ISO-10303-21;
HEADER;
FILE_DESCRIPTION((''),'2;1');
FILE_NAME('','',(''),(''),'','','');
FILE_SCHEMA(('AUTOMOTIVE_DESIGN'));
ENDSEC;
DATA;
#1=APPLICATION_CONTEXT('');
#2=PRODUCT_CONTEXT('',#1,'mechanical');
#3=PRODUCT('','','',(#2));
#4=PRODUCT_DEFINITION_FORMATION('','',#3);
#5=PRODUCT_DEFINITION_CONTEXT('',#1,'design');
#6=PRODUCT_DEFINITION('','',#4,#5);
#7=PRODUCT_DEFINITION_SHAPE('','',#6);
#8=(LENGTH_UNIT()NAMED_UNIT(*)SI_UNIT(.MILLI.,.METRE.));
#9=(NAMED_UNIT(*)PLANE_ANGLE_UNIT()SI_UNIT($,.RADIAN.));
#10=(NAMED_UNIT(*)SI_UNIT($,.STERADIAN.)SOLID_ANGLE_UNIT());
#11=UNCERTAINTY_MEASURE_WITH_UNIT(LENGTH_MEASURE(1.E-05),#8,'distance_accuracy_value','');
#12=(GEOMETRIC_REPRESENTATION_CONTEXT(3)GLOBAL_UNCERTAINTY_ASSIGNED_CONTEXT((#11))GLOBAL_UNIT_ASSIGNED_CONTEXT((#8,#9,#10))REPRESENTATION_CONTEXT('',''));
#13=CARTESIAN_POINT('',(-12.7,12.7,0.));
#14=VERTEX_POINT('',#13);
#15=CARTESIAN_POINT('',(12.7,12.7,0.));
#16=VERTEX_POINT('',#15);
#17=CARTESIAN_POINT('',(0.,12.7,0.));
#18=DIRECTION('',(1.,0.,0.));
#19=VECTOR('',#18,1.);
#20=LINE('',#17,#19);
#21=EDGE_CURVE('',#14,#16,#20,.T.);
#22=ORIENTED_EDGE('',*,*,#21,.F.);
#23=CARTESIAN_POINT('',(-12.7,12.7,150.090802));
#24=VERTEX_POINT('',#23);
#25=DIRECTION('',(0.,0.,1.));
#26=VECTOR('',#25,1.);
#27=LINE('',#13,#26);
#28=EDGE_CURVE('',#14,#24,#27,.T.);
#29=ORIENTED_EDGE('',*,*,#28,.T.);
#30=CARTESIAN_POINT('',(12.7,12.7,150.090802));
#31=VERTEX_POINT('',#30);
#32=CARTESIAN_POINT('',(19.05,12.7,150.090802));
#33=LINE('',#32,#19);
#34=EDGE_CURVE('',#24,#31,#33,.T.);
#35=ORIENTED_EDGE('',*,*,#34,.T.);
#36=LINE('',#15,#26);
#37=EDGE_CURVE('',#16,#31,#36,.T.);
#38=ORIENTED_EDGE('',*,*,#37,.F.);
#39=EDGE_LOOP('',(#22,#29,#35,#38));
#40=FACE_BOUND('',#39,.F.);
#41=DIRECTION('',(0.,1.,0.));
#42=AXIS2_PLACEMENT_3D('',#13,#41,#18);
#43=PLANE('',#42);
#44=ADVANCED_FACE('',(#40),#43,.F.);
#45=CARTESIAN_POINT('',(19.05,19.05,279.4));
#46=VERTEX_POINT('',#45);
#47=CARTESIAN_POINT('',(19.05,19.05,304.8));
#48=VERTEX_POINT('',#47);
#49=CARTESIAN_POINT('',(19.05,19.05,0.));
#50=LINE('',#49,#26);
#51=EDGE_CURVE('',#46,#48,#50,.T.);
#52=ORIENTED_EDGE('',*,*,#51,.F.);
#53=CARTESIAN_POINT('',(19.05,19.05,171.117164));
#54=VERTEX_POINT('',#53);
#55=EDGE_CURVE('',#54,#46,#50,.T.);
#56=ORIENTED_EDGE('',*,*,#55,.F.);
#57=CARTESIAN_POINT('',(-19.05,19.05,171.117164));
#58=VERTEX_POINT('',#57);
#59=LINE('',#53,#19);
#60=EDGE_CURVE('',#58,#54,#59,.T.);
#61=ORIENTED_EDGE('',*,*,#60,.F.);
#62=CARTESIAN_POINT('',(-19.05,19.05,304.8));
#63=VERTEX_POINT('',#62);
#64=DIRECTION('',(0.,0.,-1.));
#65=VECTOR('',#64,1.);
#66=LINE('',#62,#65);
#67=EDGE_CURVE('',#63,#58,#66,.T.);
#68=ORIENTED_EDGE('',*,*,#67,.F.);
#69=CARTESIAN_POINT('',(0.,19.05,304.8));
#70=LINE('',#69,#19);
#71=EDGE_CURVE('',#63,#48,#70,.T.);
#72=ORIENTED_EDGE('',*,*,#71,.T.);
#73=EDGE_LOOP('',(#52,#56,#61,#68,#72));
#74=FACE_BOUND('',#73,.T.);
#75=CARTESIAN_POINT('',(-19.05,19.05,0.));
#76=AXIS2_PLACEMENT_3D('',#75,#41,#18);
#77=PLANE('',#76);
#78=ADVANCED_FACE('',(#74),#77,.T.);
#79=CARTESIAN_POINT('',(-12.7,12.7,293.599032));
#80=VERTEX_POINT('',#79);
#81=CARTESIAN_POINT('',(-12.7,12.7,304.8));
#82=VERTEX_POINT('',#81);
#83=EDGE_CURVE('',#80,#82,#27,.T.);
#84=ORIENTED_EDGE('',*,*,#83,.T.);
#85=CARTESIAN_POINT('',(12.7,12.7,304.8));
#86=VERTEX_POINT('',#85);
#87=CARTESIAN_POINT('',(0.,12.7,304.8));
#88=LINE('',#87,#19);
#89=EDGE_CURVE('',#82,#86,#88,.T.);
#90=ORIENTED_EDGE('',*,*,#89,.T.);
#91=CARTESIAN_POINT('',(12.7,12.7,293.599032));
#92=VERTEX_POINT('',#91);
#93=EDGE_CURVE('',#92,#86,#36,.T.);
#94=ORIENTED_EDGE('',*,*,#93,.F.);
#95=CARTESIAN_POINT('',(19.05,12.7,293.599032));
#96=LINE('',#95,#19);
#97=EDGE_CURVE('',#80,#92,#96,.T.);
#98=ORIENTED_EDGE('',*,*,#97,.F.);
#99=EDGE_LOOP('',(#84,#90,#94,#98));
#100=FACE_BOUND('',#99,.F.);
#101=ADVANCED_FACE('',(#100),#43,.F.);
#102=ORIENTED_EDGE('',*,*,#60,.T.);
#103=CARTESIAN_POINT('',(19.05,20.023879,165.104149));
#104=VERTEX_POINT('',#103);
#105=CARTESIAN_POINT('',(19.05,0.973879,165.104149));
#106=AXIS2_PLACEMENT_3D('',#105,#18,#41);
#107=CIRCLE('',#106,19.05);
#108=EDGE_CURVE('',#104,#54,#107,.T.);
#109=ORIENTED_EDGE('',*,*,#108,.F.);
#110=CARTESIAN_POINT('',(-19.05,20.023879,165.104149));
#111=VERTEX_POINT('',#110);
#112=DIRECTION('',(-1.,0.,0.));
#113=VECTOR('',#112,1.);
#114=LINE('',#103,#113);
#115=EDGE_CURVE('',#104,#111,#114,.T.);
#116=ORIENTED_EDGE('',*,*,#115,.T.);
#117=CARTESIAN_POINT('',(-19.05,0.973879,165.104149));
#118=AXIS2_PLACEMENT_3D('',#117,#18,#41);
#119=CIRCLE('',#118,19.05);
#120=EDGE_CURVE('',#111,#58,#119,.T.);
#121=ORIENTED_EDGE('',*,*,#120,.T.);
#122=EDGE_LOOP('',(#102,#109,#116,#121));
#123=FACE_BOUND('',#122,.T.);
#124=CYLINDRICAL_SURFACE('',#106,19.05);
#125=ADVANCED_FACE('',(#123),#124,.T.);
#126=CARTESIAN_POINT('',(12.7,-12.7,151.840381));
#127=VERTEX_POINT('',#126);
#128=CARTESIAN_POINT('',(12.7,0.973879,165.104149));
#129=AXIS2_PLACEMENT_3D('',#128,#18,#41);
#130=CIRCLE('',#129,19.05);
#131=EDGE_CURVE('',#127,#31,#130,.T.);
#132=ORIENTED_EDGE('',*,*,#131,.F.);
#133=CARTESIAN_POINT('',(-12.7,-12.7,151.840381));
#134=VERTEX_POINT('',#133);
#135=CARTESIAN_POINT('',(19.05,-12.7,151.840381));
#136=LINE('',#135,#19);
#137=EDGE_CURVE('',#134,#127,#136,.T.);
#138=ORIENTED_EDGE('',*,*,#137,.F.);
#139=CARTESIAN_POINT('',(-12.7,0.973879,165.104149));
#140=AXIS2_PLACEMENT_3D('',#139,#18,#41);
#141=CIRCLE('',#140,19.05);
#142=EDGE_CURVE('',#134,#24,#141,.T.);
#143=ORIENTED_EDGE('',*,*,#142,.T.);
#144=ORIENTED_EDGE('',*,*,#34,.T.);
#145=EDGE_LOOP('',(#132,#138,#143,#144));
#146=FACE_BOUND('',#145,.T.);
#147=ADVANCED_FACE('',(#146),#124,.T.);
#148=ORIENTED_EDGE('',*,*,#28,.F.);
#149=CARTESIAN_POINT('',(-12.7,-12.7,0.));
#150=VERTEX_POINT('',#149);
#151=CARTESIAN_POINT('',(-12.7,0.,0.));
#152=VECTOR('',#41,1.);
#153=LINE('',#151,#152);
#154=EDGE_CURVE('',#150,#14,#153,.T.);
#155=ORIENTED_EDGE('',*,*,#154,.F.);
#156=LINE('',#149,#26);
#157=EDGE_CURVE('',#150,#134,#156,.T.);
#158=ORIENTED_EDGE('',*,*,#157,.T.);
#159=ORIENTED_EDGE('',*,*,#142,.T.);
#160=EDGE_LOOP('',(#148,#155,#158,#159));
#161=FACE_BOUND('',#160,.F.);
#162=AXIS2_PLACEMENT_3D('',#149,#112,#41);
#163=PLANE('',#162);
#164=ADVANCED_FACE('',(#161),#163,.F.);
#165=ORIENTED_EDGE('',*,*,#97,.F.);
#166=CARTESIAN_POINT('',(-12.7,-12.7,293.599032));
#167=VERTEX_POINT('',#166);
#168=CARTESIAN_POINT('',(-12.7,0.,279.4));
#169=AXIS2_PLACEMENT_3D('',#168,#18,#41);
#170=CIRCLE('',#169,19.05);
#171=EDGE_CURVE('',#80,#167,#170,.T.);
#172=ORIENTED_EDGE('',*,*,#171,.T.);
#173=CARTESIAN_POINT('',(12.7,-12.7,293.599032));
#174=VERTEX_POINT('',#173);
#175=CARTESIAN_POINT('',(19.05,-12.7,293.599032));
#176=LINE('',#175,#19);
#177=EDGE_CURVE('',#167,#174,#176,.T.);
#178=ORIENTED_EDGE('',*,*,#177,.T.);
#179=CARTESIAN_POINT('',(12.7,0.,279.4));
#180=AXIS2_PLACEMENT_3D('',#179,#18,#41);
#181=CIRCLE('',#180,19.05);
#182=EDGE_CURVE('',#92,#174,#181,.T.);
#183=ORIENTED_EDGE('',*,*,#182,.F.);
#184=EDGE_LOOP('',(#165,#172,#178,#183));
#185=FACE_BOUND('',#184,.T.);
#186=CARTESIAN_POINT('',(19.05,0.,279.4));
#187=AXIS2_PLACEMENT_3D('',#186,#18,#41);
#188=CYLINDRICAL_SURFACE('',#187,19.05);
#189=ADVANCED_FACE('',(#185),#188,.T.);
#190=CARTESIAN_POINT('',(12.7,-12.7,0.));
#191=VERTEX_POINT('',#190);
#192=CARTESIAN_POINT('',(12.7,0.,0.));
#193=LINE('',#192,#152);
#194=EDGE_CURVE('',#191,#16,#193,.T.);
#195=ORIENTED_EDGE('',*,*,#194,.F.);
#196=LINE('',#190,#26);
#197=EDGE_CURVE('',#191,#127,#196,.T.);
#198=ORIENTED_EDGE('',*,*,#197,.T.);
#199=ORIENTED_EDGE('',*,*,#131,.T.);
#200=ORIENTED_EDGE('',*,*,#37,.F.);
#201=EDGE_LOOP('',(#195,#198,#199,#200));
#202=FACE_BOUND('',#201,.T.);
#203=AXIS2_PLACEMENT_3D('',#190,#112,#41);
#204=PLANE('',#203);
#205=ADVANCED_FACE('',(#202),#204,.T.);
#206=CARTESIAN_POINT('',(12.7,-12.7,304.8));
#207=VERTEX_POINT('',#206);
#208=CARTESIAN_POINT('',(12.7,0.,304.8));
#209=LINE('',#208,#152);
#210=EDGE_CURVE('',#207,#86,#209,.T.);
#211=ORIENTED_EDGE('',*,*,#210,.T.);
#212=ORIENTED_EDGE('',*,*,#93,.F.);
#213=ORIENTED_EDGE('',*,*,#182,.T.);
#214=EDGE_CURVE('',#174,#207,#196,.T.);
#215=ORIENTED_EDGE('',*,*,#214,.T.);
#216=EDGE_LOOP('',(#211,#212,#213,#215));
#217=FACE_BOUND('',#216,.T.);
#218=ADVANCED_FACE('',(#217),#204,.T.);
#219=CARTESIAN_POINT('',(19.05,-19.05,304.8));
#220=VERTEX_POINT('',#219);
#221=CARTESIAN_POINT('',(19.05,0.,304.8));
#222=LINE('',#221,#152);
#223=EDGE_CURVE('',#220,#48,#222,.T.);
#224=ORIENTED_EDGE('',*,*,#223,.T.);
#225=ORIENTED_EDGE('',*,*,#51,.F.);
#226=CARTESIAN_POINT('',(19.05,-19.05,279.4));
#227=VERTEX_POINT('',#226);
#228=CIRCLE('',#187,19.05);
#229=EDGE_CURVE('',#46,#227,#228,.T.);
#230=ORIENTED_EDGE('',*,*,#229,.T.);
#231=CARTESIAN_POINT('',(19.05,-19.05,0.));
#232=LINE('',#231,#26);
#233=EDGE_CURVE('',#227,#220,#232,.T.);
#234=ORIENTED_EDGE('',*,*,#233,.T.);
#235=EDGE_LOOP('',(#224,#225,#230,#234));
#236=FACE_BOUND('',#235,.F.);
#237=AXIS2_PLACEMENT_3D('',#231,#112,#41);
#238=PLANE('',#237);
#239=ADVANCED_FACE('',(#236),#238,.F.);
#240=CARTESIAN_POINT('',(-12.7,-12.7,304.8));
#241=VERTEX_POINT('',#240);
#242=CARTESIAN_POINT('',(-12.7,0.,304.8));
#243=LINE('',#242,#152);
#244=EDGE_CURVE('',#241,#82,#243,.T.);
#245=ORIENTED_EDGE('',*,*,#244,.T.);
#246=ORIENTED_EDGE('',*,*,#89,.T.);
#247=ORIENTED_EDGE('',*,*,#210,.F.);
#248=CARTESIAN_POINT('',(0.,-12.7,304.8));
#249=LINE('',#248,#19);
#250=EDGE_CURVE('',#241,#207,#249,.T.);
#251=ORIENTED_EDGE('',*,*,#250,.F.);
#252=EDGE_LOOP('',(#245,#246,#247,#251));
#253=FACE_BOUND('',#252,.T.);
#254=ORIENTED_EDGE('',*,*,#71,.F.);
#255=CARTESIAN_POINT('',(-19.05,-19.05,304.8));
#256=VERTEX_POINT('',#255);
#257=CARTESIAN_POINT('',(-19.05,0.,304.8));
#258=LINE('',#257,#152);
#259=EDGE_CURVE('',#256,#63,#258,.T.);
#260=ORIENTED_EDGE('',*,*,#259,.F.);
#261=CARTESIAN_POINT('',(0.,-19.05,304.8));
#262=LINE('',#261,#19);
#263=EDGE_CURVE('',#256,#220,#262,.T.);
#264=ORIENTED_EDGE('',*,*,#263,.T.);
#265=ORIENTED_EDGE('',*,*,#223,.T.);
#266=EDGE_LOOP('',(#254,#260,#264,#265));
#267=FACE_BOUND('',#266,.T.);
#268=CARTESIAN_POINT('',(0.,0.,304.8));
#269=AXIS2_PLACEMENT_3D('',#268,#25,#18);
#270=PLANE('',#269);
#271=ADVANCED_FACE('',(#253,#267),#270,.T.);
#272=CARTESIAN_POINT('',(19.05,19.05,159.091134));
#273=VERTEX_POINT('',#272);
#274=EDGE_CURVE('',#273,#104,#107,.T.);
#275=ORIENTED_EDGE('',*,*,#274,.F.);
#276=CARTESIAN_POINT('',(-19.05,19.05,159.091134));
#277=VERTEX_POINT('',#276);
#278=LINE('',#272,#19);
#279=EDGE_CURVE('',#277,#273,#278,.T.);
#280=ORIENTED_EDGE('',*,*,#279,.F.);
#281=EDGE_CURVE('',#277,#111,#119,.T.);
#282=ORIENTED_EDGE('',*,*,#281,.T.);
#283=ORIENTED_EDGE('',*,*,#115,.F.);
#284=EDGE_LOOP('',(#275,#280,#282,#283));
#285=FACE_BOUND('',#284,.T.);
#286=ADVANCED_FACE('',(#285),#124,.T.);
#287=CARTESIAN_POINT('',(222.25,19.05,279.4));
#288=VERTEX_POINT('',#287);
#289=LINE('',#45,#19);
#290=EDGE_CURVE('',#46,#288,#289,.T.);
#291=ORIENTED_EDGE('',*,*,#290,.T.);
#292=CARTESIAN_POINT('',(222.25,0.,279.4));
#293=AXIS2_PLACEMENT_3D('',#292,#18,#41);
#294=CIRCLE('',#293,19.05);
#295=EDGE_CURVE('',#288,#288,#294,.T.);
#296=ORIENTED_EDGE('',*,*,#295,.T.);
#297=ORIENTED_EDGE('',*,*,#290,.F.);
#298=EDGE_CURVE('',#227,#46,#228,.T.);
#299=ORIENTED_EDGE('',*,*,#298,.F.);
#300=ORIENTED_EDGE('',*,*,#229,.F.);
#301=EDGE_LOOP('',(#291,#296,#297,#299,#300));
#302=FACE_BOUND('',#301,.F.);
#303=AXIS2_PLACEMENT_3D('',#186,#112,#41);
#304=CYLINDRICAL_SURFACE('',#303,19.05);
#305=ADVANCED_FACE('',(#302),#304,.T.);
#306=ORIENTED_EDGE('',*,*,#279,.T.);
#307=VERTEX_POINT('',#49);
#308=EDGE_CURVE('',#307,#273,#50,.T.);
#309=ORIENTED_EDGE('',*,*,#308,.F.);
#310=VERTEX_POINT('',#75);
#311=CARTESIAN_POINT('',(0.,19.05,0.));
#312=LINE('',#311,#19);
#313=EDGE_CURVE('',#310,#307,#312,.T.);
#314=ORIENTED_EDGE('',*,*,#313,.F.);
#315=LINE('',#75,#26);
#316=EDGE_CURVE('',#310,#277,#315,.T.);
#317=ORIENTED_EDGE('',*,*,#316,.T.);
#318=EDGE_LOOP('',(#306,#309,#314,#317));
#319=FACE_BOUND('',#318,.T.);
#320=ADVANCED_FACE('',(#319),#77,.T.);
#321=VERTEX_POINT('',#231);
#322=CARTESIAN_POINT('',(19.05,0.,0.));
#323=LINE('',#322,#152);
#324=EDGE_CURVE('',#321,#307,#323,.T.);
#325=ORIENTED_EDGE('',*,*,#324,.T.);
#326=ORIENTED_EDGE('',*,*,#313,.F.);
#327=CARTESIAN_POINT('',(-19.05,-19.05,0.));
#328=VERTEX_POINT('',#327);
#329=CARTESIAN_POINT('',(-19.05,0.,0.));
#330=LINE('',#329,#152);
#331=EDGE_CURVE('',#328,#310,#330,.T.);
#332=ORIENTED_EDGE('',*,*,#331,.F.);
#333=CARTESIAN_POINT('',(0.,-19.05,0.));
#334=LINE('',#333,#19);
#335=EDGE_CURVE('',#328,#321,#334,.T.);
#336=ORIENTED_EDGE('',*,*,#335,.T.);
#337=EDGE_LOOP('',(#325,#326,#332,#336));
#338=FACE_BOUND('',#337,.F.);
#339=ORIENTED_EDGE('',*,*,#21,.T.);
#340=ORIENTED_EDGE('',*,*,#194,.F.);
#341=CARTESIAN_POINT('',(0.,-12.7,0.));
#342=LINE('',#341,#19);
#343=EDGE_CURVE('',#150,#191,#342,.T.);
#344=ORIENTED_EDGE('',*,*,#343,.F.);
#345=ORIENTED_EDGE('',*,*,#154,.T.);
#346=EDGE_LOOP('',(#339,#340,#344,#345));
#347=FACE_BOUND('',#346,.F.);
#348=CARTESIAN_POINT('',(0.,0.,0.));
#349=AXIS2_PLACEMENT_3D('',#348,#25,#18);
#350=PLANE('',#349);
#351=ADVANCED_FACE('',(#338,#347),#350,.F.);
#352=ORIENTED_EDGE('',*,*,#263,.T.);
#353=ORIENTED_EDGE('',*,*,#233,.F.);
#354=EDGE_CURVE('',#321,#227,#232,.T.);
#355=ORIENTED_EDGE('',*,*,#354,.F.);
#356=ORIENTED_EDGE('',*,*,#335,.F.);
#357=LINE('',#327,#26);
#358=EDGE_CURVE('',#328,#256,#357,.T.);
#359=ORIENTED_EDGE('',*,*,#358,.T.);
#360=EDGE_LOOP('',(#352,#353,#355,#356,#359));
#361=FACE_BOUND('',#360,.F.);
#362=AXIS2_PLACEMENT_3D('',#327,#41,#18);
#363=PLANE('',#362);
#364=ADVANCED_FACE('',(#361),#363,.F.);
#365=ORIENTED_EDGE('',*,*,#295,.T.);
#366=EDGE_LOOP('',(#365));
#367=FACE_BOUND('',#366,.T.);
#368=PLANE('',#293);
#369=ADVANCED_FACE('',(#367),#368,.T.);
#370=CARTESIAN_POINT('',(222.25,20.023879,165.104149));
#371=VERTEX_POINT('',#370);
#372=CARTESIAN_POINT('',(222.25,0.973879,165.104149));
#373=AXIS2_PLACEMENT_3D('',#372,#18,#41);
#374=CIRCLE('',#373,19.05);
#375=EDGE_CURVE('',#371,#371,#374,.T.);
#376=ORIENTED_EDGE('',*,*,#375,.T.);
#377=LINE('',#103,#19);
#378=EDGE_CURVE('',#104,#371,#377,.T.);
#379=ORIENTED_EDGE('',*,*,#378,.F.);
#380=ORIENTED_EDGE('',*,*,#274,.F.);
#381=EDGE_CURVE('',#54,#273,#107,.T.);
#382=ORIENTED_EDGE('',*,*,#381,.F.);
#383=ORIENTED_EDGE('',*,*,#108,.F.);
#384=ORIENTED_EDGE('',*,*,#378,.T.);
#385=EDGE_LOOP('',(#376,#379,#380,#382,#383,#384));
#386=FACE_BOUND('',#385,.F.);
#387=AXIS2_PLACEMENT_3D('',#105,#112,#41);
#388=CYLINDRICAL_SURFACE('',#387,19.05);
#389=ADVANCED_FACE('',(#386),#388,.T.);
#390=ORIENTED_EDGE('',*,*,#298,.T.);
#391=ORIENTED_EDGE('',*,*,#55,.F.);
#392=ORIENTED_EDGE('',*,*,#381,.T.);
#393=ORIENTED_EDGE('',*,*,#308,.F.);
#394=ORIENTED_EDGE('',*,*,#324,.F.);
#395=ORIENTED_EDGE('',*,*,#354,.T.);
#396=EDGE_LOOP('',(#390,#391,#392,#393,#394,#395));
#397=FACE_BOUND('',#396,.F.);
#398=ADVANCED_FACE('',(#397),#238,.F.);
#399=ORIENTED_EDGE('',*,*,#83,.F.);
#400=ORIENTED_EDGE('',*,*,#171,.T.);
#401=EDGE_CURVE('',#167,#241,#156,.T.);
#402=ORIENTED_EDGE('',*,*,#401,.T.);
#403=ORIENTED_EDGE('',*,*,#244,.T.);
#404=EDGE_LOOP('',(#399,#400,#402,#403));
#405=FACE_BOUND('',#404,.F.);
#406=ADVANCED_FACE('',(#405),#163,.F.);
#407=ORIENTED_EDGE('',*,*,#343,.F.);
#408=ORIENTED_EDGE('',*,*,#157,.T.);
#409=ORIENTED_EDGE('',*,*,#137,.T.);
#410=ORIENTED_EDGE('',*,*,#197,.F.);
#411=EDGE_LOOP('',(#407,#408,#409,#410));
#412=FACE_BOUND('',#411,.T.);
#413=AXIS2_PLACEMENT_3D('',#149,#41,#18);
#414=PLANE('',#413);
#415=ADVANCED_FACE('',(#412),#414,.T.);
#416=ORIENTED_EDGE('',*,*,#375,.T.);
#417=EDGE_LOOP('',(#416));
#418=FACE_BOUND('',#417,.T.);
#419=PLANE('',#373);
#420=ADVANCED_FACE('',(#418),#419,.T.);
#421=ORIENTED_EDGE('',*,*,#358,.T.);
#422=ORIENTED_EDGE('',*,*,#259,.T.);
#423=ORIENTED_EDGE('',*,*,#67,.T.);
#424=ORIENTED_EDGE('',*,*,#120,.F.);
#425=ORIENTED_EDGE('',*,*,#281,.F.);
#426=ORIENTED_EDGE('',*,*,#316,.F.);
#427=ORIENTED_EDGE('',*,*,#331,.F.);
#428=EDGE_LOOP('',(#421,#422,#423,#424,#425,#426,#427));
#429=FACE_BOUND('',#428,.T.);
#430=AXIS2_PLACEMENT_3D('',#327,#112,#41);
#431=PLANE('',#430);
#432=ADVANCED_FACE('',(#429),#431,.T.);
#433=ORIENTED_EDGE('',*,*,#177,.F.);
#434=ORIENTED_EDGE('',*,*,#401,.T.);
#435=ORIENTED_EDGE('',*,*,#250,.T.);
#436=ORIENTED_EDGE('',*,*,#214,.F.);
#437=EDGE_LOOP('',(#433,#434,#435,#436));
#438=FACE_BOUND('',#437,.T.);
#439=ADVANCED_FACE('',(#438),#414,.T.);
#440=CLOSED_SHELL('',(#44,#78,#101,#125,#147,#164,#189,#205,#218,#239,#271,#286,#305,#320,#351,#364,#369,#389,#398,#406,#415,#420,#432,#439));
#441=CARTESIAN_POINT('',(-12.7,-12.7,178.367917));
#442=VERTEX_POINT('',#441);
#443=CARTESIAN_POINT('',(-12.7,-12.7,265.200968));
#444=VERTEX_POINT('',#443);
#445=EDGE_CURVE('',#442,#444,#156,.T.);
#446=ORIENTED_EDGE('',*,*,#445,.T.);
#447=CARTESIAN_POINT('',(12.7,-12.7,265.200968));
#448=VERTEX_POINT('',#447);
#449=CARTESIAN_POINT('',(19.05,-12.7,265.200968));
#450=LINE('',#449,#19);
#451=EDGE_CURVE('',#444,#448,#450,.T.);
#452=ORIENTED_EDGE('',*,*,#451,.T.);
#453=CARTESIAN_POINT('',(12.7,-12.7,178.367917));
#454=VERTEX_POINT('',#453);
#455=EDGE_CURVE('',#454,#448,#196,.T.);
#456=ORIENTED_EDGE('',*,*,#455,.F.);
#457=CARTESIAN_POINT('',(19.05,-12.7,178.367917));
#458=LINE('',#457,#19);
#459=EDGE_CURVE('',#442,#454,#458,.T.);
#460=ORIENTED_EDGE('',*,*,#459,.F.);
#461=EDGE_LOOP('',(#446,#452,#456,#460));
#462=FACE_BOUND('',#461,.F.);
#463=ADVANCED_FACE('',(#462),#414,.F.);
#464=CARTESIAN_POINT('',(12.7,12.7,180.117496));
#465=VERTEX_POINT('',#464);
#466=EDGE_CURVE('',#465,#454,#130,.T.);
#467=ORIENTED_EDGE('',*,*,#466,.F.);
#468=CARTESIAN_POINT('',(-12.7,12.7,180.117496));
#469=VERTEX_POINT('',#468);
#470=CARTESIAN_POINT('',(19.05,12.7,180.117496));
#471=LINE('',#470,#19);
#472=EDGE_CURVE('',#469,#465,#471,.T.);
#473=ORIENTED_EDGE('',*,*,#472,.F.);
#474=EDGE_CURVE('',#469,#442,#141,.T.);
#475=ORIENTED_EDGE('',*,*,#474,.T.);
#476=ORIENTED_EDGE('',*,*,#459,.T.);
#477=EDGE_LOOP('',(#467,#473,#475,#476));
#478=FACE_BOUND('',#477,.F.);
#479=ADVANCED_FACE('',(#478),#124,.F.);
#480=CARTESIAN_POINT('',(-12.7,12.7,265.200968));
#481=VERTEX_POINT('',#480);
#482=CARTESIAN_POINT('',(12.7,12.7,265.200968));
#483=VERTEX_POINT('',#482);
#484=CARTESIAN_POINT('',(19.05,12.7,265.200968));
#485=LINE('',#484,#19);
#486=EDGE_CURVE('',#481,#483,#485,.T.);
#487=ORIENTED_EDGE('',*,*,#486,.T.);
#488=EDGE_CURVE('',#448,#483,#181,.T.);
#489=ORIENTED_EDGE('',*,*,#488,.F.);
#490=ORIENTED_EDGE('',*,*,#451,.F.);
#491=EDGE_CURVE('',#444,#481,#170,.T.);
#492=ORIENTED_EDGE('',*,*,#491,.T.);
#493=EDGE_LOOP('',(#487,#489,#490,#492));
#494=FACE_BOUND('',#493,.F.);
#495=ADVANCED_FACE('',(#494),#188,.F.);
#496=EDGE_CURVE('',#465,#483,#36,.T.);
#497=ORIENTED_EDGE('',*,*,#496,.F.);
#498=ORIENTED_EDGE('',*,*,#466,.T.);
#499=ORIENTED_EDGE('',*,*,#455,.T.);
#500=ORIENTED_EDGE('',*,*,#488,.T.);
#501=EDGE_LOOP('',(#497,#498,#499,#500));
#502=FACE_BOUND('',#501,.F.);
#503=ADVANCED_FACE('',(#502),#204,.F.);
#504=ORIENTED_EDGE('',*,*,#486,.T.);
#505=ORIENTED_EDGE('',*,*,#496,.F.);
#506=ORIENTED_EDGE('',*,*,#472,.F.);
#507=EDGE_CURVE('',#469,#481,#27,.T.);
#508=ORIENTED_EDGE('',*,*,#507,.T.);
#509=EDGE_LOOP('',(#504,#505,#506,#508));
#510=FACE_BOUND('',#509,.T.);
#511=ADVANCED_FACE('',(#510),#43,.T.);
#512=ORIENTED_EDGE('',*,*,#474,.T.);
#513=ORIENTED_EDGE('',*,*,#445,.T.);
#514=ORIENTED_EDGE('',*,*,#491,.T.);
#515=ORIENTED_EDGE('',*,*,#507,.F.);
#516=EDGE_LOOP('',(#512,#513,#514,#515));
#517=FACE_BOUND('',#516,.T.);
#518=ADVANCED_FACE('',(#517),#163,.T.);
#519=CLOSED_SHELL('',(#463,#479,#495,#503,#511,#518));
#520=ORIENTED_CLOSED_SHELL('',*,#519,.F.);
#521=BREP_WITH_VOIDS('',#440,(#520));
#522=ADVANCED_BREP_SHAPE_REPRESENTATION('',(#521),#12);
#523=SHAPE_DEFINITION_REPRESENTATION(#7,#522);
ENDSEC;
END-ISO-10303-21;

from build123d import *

# Parameters (mm, degrees)
F0_W          = 38.1
F0_H          = 38.1
F0_W_2        = 25.4
F0_H_2        = 25.4
F1_DEPTH      = 304.8
F2_R          = 19.05
F3_DEPTH      = 203.2
F3_DEPTH_BACK = 38.1


with BuildPart() as f1:
    # F0 (on Top) → F1 (new body)
    with BuildSketch(Plane.XY):
        Rectangle(F0_W, F0_H)
        Rectangle(F0_W_2, F0_H_2, mode=Mode.SUBTRACT)
    extrude(amount=F1_DEPTH)

    # F2 (on face) → F3 (join, two sides)
    with BuildSketch(Plane.YZ.offset(19.05)) as f3_sk:
        with Locations((0, 279.4)):
            Circle(F2_R)
        with Locations((0.973879, 165.104149)):
            Circle(F2_R)
    extrude(amount=F3_DEPTH)
    extrude(f3_sk.sketch, amount=-F3_DEPTH_BACK)


solid = f1.part
